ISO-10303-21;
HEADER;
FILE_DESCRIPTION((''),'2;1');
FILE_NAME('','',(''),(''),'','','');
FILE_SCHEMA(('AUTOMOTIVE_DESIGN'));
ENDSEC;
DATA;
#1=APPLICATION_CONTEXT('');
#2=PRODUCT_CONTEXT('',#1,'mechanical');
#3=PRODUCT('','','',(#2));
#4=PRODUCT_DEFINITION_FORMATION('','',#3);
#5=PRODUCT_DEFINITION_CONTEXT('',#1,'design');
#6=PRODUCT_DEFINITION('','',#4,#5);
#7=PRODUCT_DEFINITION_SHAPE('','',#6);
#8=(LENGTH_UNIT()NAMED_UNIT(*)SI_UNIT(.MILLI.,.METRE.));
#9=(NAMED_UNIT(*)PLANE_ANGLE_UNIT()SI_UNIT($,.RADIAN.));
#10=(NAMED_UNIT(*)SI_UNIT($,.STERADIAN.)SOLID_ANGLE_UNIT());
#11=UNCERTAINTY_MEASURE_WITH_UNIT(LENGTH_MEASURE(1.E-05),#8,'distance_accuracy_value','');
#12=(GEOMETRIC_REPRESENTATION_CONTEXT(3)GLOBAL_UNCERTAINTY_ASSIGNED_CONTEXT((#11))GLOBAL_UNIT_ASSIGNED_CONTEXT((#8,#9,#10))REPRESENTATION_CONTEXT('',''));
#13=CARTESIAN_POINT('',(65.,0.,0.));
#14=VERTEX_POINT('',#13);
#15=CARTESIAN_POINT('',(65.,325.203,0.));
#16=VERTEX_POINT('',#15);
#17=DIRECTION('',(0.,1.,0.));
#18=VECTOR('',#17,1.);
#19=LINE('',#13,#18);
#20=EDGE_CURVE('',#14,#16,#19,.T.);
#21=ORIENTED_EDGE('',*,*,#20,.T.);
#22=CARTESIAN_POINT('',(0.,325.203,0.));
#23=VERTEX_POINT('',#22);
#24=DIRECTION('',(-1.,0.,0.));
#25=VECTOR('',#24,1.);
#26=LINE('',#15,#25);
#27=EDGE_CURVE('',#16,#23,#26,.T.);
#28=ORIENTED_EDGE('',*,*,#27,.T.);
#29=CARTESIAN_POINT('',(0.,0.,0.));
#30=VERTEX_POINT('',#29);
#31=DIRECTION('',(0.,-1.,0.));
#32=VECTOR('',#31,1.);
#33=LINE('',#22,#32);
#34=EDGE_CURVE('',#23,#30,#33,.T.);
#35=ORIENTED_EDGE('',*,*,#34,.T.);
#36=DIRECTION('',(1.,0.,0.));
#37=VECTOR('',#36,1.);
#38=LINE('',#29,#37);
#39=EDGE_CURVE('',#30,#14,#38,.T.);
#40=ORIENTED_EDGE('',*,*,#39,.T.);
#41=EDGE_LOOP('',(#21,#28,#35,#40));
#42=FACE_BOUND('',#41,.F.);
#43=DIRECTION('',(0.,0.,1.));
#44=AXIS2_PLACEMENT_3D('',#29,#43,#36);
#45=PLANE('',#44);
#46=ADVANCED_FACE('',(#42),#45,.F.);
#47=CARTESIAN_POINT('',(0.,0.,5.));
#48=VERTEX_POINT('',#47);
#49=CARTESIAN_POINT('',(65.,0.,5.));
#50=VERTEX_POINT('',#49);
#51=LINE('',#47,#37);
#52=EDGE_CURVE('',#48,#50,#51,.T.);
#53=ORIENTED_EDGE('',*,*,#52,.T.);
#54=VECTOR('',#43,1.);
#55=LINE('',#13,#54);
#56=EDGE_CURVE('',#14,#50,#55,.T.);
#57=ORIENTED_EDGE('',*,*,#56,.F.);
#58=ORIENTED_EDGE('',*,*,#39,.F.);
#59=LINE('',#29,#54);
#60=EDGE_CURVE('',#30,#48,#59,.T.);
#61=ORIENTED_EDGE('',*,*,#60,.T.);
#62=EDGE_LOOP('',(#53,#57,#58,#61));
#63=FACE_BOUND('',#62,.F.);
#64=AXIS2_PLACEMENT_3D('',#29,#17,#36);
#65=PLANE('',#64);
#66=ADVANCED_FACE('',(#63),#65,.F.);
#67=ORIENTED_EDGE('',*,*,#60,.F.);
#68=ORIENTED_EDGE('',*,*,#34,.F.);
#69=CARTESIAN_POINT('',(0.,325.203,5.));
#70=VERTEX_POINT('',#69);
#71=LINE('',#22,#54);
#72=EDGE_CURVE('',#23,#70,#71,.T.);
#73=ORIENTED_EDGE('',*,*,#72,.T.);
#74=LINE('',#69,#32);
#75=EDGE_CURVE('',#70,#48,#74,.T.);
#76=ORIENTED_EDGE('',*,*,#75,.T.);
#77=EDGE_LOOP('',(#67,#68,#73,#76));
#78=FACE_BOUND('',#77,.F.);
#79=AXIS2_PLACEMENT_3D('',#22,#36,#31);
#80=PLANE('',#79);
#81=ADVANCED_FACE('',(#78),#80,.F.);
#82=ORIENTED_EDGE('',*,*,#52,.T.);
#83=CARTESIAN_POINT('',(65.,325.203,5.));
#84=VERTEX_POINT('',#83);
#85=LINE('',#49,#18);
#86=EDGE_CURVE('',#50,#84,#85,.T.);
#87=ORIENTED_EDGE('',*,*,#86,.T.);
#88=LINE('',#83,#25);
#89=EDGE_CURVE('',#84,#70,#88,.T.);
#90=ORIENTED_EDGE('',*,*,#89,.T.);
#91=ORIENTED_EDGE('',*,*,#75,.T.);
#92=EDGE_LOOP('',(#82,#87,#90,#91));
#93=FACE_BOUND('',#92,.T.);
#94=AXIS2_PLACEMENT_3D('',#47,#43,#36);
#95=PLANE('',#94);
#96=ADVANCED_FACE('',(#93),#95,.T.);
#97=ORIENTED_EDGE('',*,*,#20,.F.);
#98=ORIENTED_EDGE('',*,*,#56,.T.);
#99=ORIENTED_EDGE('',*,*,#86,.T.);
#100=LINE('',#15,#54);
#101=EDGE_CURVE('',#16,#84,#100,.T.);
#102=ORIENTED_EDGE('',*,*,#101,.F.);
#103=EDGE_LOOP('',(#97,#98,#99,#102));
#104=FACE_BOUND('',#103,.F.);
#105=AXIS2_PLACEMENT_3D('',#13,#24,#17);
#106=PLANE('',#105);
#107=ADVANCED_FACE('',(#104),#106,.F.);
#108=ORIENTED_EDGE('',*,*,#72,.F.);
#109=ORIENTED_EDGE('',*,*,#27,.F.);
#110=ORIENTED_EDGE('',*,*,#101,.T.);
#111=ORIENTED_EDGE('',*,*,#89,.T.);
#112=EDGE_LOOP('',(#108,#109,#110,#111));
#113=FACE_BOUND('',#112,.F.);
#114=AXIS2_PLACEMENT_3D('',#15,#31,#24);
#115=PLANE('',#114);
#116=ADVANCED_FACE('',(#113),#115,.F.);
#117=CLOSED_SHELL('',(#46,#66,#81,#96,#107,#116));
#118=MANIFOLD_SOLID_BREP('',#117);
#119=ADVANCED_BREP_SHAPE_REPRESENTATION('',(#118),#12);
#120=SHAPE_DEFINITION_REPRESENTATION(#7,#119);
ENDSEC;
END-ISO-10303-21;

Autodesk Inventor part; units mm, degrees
ref_plane "YZ Plane" through (0, 0, 0) normal (1, 0, 0) x (0, 1, 0)
ref_plane "XZ Plane" through (0, 0, 0) normal (0, 1, 0) x (-1, 0, 0)
ref_plane "XY Plane" through (0, 0, 0) normal (0, 0, 1) x (1, 0, 0)
sketch "Sketch1" plane through (0, 0, 0) normal (0, 0, 1) x (1, 0, 0)
  line L0 (0, 0) -> (65, 0)
  line L1 (65, 0) -> (65, 325.203)
  line L2 (65, 325.203) -> (0, 325.203)
  line L3 (0, 325.203) -> (0, 0)
  dimension "d0" = 65
  dimension "d1" = 325.203
extrude "Extrusion1" add sketch "Sketch1" along normal blind 5
